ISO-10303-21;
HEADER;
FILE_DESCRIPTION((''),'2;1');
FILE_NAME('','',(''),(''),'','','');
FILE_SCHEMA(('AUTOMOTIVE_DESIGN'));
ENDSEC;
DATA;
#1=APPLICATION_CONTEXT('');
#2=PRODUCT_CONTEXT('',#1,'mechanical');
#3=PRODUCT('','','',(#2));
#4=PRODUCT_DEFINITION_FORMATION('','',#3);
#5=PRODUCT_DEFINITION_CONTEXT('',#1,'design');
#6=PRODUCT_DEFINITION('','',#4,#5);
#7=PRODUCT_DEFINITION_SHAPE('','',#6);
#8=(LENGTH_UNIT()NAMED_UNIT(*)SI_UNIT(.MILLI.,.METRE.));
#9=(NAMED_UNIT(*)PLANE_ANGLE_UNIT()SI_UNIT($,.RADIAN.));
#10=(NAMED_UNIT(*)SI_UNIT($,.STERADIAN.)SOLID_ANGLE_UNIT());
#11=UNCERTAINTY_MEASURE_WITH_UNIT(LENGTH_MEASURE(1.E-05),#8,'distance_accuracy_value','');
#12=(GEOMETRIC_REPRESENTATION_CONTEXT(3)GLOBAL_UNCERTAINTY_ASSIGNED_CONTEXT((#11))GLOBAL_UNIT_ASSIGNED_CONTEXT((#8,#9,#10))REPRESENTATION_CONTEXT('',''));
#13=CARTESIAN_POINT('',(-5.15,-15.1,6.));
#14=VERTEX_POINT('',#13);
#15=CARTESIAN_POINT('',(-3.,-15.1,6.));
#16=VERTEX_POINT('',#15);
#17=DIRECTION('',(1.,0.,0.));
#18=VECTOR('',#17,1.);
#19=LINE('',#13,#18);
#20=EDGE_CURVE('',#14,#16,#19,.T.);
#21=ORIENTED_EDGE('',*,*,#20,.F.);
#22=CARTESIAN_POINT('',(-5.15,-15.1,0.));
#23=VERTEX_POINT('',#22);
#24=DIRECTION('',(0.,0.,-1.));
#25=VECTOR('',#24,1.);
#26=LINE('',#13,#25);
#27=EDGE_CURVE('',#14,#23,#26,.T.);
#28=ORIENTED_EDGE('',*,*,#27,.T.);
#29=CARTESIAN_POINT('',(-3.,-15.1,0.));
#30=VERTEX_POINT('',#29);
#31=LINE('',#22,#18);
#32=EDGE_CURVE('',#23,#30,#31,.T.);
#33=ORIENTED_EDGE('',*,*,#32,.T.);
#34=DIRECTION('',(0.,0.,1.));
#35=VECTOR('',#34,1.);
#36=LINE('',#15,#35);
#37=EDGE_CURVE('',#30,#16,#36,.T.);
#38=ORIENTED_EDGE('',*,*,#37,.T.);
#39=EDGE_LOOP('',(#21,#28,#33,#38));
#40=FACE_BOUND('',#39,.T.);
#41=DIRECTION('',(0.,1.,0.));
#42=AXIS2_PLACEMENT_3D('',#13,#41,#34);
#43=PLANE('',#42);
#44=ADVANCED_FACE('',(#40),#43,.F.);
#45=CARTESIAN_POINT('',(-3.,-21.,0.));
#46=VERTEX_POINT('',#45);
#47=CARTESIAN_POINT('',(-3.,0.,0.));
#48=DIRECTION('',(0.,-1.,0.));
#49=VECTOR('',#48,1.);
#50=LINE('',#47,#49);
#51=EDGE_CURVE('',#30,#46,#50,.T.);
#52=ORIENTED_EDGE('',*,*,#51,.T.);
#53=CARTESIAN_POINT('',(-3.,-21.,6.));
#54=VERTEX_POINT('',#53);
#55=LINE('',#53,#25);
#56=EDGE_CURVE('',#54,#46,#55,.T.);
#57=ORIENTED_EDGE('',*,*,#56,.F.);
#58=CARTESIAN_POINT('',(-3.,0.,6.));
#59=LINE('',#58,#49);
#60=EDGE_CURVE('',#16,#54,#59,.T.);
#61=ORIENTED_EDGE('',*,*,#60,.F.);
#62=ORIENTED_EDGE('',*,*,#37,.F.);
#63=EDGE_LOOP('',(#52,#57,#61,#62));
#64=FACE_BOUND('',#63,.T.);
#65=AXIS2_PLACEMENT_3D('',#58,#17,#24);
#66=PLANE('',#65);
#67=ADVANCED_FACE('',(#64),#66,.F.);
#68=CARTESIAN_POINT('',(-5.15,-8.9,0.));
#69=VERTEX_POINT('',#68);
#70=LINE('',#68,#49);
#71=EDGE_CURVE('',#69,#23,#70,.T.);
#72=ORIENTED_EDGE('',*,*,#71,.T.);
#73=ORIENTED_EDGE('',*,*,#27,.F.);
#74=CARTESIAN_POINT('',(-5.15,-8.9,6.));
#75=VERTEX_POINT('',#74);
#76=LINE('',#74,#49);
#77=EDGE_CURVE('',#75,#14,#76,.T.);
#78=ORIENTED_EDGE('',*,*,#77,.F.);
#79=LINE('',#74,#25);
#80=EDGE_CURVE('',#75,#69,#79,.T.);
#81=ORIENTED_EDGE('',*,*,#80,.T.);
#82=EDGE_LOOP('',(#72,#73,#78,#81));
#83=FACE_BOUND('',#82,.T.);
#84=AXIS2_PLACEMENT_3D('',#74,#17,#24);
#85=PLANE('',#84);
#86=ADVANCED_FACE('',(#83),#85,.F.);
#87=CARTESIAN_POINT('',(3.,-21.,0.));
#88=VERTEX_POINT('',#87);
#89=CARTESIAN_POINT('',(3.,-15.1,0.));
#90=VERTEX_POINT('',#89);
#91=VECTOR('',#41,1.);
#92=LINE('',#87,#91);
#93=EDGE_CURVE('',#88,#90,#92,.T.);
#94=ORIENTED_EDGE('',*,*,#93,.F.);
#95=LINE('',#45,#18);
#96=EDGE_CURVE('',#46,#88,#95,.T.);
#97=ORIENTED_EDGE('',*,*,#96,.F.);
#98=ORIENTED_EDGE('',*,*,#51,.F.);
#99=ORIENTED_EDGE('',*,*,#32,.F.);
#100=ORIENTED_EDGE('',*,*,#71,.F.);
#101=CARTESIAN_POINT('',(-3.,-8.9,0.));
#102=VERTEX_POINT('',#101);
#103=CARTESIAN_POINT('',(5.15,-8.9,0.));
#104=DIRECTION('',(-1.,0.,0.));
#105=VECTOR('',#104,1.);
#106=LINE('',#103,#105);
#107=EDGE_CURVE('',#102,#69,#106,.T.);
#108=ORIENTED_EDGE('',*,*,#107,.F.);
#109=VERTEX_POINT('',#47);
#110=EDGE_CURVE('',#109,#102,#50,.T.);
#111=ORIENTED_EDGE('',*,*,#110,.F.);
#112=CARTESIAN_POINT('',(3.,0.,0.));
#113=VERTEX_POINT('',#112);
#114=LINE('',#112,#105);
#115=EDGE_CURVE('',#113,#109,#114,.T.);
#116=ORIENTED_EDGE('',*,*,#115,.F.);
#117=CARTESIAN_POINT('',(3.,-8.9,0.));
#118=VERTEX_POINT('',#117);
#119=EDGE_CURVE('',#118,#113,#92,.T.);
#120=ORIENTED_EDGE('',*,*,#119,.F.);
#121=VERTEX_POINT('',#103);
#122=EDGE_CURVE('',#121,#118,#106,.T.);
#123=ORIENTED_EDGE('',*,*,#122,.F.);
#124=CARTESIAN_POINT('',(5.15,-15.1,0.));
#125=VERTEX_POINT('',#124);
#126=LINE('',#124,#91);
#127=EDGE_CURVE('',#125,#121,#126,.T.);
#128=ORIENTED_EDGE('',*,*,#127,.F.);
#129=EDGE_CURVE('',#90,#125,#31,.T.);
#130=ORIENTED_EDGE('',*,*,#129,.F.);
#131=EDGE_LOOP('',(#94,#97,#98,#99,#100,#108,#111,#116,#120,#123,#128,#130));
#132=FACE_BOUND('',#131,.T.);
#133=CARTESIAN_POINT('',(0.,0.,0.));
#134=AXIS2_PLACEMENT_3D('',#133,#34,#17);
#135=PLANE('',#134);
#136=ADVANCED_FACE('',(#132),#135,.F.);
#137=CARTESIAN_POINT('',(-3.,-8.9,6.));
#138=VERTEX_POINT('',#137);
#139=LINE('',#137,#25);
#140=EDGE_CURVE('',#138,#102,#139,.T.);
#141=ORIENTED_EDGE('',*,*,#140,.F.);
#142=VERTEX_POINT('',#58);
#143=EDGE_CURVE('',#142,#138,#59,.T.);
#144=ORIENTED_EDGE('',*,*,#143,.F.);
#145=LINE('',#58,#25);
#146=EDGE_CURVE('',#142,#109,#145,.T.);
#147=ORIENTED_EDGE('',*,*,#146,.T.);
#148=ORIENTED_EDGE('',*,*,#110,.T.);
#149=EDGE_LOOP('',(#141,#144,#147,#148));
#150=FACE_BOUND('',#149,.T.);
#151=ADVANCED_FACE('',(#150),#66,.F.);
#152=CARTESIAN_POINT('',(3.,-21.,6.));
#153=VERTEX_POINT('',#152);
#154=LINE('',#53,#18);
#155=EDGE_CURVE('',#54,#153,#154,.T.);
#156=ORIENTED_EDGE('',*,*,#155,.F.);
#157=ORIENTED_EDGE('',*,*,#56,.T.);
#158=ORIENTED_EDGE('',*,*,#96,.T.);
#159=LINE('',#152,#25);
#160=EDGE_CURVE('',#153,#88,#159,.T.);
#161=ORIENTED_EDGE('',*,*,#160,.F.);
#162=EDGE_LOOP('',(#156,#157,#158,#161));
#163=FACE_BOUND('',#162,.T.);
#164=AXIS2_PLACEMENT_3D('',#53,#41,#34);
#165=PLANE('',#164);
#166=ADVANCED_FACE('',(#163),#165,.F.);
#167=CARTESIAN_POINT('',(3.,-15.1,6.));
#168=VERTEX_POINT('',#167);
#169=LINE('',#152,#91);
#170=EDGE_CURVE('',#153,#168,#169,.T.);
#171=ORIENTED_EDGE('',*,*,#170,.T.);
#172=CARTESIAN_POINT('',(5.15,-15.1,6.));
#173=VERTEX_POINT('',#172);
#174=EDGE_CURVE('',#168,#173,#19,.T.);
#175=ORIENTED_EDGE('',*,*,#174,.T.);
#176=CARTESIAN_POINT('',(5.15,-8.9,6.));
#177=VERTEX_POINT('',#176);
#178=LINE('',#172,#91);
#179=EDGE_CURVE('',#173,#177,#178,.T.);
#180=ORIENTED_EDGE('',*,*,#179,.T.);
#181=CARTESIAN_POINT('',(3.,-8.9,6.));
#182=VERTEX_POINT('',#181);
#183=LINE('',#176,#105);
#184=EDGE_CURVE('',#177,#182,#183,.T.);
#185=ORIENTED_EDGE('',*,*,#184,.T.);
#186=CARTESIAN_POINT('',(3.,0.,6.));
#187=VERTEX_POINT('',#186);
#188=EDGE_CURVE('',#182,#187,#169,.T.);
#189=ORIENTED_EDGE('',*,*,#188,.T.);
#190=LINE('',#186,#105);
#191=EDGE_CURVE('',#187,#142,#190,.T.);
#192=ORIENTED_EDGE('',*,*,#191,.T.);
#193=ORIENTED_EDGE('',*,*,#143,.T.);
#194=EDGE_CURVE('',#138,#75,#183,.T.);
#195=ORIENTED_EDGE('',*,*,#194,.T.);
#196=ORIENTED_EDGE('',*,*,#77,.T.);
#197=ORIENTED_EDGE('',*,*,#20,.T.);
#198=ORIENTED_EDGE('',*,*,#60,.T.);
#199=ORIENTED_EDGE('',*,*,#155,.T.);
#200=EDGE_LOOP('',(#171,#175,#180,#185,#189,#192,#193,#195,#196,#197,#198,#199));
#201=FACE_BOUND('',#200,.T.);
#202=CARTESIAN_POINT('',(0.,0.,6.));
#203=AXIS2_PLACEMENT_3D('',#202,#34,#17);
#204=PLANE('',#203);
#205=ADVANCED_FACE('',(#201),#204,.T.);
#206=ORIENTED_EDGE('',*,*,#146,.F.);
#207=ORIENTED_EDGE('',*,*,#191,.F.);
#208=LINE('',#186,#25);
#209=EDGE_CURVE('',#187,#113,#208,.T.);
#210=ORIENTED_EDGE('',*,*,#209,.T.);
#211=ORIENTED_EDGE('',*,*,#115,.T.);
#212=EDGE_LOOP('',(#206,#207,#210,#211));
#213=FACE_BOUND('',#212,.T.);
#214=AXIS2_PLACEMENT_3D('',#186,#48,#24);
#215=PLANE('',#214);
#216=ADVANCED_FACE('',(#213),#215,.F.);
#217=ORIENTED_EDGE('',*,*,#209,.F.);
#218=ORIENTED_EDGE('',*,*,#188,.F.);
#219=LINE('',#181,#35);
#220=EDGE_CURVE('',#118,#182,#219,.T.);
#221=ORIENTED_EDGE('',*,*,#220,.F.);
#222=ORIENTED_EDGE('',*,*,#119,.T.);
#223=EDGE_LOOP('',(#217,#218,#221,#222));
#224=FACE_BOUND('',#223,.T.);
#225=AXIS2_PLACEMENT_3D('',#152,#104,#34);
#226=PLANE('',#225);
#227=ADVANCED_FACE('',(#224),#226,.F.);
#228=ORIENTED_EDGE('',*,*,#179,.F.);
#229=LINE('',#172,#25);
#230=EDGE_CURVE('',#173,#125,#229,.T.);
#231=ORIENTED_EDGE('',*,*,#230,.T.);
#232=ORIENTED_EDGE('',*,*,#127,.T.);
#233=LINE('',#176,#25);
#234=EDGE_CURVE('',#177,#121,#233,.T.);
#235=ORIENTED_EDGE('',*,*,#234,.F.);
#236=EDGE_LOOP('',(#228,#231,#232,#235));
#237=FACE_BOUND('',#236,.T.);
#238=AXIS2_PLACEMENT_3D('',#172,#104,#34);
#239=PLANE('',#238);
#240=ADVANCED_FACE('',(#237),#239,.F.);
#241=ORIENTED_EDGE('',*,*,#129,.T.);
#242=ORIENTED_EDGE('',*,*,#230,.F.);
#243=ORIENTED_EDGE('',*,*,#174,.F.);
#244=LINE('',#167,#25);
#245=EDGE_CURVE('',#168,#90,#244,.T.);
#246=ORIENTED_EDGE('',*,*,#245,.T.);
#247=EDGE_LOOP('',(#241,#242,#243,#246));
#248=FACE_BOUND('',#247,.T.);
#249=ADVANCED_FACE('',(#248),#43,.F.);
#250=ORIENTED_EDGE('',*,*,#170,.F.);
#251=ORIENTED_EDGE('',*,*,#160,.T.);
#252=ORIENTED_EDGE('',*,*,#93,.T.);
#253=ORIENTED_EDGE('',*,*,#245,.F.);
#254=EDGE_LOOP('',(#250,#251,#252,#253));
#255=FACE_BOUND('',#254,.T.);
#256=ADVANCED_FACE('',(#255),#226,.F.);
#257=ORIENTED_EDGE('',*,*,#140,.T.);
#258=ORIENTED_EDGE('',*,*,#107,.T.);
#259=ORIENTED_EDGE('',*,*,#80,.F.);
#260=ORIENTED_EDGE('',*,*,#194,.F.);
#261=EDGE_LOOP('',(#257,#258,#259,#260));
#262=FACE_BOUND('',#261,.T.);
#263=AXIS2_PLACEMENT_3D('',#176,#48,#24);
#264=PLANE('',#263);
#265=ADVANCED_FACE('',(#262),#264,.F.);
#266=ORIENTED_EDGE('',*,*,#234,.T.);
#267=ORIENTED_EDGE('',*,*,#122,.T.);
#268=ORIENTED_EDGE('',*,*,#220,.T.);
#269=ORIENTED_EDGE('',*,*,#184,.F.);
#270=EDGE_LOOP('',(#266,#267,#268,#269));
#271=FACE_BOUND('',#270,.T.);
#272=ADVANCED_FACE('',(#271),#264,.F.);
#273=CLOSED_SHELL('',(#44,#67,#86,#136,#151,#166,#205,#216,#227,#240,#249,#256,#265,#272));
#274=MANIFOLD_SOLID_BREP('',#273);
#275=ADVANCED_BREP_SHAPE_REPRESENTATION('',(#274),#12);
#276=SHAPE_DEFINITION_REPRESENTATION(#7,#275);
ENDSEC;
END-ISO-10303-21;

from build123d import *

# Parameters (mm, degrees)
SKETCH_6_W             = 6
SKETCH_6_H             = 21
EXTRUDE_1425_DEPTH     = 6
SKETCH_1474_W          = 10.3
SKETCH_1474_H          = 6.2
EXTRUDE_10_3_6_2_DEPTH = 6


with BuildPart() as part:
    # Канал_6 → Extrude 1425 (new body)
    with BuildSketch(Plane.XY):
        with Locations((0, -10.5)):
            Rectangle(SKETCH_6_W, SKETCH_6_H)
    extrude(amount=EXTRUDE_1425_DEPTH)

    # Sketch 1474 → Гайка_10_3х6_2 (add)
    with BuildSketch(Plane.XY):
        with Locations((0, -12)):
            Rectangle(SKETCH_1474_W, SKETCH_1474_H)
    extrude(amount=EXTRUDE_10_3_6_2_DEPTH)


solid = part.part
